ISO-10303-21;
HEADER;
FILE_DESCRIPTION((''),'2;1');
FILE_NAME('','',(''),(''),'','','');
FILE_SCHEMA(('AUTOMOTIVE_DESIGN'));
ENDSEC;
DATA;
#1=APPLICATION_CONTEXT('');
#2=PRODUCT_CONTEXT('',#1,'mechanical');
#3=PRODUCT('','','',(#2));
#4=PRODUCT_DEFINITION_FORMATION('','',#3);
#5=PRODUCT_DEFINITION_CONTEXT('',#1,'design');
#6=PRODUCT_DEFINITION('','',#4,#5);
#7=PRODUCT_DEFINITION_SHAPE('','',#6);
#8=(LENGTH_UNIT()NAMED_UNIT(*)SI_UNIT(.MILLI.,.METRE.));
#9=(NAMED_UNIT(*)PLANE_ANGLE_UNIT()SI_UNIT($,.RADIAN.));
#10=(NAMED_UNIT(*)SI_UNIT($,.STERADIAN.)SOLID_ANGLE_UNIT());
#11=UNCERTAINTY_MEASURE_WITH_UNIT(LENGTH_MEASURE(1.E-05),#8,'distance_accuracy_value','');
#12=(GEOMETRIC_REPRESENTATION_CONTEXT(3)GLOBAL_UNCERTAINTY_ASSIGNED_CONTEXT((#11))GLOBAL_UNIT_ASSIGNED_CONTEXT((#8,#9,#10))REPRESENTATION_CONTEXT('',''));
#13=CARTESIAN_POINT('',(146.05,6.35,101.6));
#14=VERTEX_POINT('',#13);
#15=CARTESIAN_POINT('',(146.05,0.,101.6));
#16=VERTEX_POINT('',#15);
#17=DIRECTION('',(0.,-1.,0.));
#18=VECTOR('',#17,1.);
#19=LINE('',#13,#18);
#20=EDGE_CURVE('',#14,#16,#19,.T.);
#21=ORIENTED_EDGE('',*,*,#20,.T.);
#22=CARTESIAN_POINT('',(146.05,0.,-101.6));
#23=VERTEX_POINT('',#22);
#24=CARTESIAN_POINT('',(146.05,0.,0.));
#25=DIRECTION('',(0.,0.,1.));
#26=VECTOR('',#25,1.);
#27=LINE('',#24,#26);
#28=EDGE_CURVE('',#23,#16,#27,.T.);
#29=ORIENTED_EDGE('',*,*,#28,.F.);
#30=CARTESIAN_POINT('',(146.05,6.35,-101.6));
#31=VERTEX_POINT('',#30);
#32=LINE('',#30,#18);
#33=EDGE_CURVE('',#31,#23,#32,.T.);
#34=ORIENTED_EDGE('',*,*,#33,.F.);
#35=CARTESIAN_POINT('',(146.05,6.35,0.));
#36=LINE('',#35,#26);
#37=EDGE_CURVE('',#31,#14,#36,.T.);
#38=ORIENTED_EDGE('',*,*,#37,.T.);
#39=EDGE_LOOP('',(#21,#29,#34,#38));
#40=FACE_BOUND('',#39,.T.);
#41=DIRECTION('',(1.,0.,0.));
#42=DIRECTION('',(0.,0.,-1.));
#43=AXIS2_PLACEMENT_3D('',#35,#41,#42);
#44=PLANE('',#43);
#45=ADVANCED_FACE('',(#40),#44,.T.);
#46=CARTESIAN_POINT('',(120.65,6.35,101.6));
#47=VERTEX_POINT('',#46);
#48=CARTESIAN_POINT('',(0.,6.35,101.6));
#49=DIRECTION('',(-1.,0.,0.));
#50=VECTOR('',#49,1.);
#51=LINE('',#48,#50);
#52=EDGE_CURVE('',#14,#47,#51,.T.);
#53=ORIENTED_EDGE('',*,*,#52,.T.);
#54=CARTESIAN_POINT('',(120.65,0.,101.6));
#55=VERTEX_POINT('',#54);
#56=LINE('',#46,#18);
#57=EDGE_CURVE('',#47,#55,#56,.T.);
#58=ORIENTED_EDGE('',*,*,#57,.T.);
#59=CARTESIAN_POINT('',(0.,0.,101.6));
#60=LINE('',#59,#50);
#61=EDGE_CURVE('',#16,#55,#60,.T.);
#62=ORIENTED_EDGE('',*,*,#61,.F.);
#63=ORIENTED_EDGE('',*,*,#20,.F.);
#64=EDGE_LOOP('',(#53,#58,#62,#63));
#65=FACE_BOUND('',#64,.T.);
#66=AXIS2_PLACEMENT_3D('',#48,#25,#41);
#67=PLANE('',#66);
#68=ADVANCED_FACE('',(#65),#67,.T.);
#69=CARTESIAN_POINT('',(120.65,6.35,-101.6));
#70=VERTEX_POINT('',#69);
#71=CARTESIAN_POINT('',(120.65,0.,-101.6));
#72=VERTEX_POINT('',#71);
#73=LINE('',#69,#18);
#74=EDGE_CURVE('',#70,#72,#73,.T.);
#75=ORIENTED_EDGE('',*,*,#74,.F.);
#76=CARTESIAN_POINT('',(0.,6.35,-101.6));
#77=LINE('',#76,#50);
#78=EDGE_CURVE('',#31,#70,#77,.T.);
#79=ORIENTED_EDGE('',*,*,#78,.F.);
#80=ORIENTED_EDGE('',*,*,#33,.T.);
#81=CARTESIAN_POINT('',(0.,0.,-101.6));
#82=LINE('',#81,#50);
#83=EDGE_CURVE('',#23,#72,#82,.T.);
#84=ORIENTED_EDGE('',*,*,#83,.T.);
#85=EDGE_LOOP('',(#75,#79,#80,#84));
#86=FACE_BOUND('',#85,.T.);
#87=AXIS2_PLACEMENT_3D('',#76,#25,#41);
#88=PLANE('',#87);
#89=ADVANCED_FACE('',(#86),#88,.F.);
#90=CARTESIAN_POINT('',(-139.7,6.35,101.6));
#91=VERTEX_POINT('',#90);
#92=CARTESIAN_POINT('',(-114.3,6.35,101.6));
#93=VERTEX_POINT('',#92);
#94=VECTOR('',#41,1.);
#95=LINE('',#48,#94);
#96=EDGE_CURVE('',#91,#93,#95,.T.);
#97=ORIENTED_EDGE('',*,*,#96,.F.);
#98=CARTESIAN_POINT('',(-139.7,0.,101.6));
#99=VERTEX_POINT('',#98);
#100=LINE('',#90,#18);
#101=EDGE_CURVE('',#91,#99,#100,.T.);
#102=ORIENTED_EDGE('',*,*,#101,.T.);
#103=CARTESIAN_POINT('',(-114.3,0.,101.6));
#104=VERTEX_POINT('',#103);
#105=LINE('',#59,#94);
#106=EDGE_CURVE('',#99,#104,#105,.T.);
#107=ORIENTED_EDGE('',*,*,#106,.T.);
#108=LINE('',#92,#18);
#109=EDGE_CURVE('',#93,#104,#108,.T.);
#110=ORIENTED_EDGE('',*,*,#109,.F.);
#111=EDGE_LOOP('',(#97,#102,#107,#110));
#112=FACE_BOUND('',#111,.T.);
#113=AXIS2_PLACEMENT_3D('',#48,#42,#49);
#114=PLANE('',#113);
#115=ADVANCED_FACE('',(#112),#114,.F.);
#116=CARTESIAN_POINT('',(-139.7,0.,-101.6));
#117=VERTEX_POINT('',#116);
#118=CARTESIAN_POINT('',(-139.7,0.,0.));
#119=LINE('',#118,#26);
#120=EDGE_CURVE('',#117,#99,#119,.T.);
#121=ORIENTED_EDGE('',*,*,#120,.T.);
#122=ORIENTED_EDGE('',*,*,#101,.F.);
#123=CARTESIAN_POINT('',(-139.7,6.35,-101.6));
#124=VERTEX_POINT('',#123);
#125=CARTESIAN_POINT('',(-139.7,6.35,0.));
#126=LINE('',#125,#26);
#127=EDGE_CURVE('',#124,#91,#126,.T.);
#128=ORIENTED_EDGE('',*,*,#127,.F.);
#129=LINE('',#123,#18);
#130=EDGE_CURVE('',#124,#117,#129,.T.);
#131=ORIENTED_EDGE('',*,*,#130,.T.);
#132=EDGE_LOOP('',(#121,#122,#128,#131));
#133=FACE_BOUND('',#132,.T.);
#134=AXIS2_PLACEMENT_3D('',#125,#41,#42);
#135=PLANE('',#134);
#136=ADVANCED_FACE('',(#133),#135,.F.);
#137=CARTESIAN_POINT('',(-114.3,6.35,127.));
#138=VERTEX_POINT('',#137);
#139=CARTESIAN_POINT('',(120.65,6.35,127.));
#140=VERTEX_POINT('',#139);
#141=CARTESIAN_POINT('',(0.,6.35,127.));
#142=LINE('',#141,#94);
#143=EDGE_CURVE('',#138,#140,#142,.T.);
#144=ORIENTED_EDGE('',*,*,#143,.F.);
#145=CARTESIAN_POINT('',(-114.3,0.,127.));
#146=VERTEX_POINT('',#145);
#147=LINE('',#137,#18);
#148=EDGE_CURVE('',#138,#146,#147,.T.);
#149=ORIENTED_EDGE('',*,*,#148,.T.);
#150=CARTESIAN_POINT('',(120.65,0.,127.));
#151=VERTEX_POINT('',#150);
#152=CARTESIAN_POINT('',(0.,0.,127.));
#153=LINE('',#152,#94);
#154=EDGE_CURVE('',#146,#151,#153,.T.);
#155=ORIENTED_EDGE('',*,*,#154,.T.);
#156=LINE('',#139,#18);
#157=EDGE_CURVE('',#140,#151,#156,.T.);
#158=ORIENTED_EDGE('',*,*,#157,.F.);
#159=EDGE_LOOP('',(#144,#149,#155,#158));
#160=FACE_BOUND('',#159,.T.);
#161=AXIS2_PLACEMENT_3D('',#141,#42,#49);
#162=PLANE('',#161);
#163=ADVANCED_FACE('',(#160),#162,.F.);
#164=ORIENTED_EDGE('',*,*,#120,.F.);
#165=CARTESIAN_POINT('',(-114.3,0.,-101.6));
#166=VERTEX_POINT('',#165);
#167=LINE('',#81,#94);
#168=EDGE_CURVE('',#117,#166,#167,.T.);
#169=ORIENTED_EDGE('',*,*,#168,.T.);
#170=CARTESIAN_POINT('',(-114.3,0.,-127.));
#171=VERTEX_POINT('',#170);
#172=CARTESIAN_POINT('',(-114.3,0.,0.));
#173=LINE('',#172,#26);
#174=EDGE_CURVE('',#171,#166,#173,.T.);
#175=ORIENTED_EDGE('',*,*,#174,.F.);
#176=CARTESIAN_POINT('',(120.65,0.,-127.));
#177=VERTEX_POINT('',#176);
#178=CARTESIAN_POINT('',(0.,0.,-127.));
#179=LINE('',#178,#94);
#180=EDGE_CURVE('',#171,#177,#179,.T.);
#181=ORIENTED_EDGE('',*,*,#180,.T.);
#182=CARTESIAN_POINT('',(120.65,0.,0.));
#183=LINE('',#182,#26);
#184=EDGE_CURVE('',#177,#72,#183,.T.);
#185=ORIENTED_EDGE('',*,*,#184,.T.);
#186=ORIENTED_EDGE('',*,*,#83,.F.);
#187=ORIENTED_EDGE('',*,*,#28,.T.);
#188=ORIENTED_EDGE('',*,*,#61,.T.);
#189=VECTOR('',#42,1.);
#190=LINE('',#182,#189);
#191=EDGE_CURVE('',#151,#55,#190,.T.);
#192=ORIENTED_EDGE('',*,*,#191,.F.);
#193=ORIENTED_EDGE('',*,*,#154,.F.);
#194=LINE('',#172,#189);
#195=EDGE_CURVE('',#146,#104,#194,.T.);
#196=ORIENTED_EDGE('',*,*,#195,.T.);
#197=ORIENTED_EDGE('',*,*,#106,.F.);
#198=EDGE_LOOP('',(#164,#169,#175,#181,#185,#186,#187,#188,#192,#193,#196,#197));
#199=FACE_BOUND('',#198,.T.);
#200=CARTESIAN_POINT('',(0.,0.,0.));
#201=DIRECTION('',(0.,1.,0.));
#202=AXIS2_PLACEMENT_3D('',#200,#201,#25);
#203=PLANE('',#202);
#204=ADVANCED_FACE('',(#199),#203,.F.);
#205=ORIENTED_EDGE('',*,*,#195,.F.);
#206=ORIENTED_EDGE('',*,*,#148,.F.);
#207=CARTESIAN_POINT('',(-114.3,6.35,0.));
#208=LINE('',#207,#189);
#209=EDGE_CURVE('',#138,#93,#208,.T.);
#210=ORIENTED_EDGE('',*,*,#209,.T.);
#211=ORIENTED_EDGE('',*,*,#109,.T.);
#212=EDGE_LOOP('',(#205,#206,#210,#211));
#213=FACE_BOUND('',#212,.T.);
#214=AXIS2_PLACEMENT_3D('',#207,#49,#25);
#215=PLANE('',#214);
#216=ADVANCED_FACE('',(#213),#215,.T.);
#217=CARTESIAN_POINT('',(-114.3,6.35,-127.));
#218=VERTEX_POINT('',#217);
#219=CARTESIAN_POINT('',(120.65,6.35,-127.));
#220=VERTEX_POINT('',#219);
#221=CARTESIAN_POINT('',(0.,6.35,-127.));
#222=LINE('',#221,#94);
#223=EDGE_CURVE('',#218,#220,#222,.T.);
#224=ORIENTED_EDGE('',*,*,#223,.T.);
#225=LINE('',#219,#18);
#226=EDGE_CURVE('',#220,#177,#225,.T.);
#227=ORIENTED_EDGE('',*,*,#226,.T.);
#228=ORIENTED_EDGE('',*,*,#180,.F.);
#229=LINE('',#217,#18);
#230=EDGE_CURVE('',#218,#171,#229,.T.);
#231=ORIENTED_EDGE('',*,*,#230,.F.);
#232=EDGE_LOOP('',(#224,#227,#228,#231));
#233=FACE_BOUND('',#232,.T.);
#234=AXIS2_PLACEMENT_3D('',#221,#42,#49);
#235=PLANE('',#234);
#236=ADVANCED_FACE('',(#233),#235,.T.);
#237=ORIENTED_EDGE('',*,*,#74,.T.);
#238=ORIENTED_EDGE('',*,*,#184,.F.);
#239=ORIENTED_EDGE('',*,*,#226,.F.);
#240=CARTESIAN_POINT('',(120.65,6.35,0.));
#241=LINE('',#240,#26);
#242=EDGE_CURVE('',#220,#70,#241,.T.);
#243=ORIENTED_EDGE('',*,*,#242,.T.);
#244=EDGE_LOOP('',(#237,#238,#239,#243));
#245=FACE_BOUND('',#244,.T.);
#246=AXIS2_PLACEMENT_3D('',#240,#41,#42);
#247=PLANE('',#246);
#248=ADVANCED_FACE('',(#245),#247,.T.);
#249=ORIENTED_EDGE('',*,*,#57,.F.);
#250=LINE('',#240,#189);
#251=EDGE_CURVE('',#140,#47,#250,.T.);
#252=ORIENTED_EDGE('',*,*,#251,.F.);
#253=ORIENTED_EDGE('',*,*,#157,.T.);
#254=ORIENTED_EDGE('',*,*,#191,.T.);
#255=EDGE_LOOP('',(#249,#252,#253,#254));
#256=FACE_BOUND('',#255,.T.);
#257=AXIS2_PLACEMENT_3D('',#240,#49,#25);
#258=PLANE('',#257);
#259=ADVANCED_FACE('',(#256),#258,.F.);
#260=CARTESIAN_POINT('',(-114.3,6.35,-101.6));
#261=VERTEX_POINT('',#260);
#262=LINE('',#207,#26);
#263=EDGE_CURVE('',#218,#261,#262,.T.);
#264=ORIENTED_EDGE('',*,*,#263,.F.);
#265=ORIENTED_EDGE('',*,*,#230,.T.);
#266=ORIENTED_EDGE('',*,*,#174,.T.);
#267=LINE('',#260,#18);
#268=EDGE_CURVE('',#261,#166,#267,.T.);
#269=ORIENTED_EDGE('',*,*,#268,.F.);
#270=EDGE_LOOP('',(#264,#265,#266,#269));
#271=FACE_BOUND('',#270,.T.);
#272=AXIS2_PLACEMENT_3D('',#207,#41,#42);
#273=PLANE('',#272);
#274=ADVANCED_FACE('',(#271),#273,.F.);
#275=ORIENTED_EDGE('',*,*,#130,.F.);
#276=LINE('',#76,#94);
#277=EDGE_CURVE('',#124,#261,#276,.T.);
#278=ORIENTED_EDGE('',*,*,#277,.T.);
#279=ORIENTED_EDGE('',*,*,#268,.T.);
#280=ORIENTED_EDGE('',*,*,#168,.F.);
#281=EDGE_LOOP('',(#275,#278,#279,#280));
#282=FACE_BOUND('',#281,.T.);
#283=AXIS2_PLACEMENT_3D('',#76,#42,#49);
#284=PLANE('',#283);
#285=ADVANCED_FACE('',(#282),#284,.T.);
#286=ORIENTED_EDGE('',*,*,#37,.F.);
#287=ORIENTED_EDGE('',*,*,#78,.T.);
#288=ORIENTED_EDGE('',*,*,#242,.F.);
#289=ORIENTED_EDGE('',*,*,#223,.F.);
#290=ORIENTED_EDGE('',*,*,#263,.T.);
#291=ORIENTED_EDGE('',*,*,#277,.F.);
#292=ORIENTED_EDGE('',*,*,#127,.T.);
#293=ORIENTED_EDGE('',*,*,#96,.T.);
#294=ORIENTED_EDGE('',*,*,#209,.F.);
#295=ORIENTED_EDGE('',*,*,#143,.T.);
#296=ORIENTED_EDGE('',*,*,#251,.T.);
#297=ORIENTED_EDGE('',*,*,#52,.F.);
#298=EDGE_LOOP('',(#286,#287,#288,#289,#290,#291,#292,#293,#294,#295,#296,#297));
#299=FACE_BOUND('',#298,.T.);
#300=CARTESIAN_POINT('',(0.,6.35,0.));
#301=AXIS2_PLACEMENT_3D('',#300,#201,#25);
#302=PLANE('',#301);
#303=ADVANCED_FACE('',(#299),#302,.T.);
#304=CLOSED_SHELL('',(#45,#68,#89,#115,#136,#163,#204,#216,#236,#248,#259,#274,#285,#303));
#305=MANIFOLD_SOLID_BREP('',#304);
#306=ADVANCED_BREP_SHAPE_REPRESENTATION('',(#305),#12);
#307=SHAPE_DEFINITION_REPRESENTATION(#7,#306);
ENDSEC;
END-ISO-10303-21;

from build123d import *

# Parameters (mm, degrees)
SALIENTE_EXTRUIR1_DEPTH = 6.35


with BuildPart() as part:
    # Croquis1 → Saliente-Extruir1 (new body)
    with BuildSketch(Plane(origin=(0, 0, 0), x_dir=(1, 0, 0), z_dir=(0, 1, 0))):
        Polygon((120.65, 127), (-114.3, 127), (-114.3, 101.6), (-139.7, 101.6), (-139.7, -101.6), (-114.3, -101.6), (-114.3, -127), (120.65, -127), (120.65, -101.6), (146.05, -101.6), (146.05, 101.6), (120.65, 101.6), align=None)
    extrude(amount=SALIENTE_EXTRUIR1_DEPTH)


solid = part.part
